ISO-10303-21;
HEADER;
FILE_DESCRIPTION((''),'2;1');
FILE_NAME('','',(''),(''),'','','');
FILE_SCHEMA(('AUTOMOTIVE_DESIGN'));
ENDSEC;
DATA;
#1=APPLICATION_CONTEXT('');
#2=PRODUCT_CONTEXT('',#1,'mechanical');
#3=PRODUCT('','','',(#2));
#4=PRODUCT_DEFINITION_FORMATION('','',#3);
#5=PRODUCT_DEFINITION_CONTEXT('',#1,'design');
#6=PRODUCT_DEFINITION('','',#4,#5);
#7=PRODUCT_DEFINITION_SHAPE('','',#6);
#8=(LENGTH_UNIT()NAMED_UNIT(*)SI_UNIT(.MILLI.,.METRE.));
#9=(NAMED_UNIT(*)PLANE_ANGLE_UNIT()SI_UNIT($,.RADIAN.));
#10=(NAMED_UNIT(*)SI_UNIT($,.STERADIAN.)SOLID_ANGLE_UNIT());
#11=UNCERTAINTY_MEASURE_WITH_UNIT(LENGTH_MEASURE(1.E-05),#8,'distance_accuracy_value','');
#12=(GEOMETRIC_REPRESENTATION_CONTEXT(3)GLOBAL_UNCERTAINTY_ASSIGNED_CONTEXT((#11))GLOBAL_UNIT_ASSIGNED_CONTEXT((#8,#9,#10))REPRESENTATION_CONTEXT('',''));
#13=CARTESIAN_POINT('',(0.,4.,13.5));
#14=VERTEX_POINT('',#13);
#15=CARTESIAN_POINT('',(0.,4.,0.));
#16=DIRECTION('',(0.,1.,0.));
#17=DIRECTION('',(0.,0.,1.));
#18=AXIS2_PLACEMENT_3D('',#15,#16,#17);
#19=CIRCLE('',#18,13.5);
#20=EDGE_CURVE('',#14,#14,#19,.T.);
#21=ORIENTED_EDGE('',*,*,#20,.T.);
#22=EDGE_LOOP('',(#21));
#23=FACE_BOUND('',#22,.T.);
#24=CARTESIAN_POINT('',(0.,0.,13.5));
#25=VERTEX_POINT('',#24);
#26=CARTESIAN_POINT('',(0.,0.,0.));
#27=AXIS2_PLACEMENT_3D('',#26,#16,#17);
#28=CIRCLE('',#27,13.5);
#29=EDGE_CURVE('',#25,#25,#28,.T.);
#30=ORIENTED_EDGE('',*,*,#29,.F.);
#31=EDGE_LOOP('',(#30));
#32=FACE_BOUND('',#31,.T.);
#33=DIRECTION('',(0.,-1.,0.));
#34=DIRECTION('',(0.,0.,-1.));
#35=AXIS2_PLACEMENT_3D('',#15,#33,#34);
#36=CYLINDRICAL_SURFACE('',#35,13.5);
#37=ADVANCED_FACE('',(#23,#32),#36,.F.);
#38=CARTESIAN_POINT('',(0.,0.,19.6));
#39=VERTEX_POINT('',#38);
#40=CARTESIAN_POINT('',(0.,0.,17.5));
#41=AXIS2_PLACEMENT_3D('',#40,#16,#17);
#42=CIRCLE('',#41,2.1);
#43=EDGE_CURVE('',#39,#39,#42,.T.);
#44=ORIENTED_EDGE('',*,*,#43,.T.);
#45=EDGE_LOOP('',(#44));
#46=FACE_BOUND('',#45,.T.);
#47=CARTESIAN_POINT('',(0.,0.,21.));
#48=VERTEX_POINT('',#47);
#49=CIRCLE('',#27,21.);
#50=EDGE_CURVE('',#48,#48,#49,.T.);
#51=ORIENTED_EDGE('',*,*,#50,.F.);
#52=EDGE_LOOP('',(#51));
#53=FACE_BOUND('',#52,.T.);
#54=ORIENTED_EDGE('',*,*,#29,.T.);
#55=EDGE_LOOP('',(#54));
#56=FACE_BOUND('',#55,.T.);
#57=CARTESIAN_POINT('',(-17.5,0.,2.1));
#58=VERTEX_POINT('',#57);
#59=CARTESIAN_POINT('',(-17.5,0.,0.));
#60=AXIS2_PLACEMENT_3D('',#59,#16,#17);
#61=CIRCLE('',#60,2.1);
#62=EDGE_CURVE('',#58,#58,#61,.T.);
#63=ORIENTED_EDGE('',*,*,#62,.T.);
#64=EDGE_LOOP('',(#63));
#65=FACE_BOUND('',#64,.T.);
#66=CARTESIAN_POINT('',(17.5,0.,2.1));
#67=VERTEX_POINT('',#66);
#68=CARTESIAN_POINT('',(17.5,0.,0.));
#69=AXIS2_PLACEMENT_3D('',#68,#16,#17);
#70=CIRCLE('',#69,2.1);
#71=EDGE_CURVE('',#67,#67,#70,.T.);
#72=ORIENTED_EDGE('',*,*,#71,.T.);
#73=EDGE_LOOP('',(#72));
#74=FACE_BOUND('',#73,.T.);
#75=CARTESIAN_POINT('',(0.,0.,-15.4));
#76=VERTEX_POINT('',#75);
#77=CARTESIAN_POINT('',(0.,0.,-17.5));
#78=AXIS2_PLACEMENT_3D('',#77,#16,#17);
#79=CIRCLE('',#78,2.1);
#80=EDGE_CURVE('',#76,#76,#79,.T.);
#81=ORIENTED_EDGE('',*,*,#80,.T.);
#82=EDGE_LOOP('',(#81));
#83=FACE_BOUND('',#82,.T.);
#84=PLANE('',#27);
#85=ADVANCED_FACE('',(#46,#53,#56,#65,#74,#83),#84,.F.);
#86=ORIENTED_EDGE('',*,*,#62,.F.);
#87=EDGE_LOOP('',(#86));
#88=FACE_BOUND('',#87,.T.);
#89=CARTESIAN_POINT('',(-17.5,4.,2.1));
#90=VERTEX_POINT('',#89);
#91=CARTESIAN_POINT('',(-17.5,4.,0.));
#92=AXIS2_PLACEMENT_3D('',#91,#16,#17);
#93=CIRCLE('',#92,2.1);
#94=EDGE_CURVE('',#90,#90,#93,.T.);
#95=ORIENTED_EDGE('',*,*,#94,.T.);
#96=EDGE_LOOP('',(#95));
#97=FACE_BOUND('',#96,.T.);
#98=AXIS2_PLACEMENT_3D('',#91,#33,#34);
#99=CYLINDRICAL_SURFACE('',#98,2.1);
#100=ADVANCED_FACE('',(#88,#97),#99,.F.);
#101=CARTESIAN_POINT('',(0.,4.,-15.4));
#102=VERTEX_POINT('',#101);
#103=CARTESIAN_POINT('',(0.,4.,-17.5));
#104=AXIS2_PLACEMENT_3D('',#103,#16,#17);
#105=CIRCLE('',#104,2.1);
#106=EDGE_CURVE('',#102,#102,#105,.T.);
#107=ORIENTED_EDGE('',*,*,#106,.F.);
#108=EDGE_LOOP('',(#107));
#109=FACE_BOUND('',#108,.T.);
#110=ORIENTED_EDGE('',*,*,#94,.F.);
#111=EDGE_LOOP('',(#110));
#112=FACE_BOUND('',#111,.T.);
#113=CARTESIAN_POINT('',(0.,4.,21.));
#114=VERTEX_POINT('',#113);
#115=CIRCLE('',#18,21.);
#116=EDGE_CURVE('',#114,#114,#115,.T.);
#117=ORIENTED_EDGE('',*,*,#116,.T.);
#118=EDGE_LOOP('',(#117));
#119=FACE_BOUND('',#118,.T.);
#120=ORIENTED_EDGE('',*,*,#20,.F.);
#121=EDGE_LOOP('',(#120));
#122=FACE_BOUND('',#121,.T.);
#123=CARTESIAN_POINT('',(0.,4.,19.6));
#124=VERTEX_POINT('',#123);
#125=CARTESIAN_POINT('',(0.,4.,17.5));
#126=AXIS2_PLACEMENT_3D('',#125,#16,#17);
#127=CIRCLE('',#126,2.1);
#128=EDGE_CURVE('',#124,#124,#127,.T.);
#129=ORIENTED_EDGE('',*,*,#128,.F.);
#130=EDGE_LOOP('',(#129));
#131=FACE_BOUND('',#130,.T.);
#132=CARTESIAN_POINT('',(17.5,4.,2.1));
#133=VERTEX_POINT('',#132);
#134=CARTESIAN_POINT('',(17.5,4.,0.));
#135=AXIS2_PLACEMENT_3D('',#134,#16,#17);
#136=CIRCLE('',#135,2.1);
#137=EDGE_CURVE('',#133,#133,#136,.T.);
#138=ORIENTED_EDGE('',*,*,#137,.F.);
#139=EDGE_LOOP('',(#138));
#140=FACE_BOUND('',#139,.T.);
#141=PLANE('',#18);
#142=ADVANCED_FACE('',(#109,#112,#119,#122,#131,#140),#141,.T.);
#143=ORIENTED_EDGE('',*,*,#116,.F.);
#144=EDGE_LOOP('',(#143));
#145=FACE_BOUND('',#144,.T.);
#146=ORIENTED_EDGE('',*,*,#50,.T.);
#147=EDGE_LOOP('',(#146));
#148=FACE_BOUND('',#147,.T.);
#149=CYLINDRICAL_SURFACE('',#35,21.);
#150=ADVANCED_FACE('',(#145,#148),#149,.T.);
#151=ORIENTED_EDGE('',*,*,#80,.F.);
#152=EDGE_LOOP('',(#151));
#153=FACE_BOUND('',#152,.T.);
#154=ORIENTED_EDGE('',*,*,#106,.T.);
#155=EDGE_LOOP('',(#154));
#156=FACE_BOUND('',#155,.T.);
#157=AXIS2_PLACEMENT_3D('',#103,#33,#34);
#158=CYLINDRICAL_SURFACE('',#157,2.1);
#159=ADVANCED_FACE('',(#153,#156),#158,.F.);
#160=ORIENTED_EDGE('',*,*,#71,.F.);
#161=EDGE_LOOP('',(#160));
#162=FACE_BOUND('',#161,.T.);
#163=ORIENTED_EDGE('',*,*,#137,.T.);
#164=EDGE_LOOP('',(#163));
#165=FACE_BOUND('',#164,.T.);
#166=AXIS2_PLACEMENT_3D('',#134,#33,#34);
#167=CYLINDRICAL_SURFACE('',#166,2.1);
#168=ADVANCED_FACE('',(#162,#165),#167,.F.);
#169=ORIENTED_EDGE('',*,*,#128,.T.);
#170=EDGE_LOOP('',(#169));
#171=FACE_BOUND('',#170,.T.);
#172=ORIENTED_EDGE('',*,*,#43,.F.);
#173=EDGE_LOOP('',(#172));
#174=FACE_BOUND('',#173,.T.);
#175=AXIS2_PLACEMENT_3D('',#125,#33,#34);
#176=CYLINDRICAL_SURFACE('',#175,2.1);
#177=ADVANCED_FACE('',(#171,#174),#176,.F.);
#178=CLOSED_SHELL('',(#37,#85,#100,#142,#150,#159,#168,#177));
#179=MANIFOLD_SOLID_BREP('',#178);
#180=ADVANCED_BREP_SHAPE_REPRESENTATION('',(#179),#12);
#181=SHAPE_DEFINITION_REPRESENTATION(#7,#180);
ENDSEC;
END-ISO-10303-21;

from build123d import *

# Parameters (mm, degrees)
SKETCH_2_R      = 21
SKETCH_2_R_2    = 13.5
SKETCH_2_R_3    = 2.1
EXTRUDE_1_DEPTH = 4


with BuildPart() as part:
    # 草图2 → 凸台-拉伸1 (new body)
    with BuildSketch(Plane(origin=(0, 0, 0), x_dir=(1, 0, 0), z_dir=(0, 1, 0))):
        with Locations(Location((0, 0, 0), (0, 0, 270))):
            Circle(SKETCH_2_R)
        with Locations(Location((0, 0, 0), (0, 0, 270))):
            Circle(SKETCH_2_R_2, mode=Mode.SUBTRACT)
        with Locations(Location((0, 17.5, 0), (0, 0, 270))):
            Circle(SKETCH_2_R_3, mode=Mode.SUBTRACT)
        with Locations(Location((17.5, 0, 0), (0, 0, 270))):
            Circle(SKETCH_2_R_3, mode=Mode.SUBTRACT)
        with Locations(Location((0, -17.5, 0), (0, 0, 270))):
            Circle(SKETCH_2_R_3, mode=Mode.SUBTRACT)
        with Locations(Location((-17.5, 0, 0), (0, 0, 270))):
            Circle(SKETCH_2_R_3, mode=Mode.SUBTRACT)
    extrude(amount=EXTRUDE_1_DEPTH)


solid = part.part
